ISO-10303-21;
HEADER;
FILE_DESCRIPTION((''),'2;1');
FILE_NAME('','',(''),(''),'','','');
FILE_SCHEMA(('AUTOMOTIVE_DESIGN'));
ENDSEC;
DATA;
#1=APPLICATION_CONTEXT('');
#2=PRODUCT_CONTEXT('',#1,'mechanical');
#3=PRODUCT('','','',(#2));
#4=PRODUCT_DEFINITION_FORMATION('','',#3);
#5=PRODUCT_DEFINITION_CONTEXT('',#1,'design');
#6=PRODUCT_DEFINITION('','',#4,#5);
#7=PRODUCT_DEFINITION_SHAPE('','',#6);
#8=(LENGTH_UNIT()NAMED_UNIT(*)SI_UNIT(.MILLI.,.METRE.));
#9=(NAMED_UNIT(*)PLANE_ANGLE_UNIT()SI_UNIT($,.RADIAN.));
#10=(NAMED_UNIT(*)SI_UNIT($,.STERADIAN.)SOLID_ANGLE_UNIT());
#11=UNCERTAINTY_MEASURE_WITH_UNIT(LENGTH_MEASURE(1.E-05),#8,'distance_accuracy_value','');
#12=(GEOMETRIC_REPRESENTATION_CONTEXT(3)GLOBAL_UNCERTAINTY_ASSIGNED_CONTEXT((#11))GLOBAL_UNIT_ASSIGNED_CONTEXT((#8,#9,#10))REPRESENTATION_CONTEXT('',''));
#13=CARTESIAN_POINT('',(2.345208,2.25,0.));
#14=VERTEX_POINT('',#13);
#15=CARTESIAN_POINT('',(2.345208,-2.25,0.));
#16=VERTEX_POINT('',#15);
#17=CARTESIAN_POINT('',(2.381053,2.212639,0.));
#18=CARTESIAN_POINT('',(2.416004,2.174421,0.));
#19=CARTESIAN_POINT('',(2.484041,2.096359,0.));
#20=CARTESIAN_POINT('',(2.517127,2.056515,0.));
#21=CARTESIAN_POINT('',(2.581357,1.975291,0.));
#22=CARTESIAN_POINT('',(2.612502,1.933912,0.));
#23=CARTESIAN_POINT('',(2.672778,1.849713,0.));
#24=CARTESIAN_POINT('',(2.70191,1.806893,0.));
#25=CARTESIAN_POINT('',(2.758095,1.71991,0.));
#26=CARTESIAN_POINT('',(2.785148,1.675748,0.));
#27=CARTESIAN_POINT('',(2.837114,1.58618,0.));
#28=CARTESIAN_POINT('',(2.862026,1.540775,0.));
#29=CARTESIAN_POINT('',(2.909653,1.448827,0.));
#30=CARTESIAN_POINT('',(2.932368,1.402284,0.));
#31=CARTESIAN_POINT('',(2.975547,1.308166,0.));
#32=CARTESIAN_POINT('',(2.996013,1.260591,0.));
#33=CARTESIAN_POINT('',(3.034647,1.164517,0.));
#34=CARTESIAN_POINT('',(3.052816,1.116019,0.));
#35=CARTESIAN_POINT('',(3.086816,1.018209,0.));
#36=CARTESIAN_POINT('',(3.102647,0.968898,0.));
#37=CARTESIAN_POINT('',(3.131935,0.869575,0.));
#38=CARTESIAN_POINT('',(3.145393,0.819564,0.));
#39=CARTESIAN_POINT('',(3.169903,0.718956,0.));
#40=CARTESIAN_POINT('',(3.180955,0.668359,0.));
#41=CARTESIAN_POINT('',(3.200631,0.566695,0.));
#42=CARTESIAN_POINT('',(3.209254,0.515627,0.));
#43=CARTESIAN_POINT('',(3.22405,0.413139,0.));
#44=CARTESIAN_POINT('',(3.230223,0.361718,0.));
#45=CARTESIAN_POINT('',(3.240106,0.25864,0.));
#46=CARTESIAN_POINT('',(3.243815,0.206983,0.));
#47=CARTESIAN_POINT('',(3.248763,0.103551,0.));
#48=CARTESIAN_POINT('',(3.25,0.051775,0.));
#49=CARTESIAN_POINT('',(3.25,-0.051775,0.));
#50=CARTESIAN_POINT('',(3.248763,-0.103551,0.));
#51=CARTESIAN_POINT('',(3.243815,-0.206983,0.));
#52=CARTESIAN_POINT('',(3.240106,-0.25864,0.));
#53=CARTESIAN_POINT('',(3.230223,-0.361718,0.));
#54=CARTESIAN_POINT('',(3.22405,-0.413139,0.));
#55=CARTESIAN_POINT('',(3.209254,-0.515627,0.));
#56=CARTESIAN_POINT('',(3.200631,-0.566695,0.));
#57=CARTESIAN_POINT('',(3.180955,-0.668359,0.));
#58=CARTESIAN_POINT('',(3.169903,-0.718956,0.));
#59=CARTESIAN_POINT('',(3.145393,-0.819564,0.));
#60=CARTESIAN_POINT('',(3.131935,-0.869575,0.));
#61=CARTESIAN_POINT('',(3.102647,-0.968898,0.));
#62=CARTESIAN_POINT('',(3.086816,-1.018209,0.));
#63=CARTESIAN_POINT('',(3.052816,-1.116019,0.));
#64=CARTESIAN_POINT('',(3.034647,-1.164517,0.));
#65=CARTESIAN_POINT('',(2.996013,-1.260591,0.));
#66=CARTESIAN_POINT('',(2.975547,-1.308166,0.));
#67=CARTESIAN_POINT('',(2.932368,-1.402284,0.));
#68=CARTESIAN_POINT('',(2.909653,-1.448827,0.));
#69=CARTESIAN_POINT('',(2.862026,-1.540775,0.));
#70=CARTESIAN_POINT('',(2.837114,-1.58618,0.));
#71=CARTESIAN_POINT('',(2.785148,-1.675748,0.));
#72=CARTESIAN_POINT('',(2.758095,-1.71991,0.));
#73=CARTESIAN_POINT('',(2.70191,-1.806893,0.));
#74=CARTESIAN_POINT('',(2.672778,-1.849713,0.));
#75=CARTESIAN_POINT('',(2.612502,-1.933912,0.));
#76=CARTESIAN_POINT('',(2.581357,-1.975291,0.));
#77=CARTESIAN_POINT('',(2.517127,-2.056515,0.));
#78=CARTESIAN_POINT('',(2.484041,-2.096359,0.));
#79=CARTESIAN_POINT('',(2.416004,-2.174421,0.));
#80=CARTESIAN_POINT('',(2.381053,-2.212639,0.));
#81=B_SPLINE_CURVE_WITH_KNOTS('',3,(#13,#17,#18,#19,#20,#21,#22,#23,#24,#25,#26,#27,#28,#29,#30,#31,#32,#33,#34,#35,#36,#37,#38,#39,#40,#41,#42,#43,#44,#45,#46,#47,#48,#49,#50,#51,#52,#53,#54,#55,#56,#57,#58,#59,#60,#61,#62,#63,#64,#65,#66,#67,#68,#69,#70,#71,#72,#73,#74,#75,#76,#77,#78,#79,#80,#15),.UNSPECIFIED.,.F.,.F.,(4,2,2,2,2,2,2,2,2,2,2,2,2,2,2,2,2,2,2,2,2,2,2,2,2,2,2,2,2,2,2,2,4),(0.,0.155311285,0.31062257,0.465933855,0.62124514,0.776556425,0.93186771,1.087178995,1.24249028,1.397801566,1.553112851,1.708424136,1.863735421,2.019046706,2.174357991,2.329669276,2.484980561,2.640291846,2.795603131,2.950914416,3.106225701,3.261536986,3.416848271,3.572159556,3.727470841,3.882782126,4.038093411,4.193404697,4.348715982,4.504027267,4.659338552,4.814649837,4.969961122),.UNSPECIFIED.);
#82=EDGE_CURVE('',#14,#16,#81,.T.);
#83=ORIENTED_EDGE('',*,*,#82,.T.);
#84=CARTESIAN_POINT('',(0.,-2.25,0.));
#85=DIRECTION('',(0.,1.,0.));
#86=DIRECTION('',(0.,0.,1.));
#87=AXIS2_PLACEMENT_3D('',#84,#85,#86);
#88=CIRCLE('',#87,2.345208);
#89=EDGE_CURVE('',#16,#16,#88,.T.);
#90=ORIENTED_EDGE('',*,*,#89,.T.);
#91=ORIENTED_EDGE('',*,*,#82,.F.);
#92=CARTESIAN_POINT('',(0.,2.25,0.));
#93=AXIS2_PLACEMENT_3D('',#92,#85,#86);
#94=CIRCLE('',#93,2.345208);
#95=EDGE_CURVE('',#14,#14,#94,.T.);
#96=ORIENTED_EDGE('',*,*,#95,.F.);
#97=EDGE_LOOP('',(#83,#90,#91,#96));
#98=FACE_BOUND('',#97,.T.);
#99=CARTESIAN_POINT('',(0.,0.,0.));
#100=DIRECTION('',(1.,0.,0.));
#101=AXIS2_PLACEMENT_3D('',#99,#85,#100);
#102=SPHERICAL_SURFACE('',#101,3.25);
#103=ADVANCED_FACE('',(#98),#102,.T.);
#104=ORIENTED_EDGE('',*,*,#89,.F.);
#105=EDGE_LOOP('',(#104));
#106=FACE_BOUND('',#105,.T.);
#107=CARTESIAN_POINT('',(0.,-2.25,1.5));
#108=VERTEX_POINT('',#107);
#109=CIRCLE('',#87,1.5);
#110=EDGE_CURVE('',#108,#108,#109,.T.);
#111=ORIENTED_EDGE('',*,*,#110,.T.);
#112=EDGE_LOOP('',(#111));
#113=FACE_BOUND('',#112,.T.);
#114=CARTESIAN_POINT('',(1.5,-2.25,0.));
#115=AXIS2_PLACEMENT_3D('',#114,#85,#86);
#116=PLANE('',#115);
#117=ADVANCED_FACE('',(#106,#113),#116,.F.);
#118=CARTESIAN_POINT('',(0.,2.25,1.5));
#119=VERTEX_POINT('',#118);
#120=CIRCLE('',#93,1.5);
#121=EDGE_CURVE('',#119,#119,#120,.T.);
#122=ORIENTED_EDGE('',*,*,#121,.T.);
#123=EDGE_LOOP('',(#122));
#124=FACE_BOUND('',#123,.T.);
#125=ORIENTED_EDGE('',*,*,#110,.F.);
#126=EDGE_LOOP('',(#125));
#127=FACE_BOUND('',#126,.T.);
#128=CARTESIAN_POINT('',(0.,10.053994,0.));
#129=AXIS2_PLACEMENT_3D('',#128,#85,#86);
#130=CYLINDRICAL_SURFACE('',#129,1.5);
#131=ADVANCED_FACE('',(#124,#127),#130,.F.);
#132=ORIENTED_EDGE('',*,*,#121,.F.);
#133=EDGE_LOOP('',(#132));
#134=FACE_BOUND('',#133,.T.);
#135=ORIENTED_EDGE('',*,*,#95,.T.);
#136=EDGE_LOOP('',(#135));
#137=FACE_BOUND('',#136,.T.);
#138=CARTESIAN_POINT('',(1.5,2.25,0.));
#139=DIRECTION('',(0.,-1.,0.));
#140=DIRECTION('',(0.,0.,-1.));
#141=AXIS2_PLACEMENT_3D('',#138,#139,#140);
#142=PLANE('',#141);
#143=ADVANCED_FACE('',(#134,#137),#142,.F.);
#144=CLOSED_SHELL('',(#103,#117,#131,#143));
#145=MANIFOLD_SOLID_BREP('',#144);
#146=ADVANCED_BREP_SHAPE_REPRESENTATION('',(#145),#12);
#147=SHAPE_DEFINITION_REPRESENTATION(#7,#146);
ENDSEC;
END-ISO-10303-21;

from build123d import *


with BuildPart() as part:
    # Sketch1 → Revolve1 (revolve)
    with BuildSketch(Plane.XY):
        with BuildLine():
            Line((1.5, -2.25), (2.34520788, -2.25))
            ThreePointArc((2.34520788, -2.25), (3.25, 0), (2.34520788, 2.25))
            Line((2.34520788, 2.25), (1.5, 2.25))
            Line((1.5, 2.25), (1.5, -2.25))
        make_face()
    revolve(axis=Axis((0, 10.053993848, 0), (0, -1, 0)))


solid = part.part
